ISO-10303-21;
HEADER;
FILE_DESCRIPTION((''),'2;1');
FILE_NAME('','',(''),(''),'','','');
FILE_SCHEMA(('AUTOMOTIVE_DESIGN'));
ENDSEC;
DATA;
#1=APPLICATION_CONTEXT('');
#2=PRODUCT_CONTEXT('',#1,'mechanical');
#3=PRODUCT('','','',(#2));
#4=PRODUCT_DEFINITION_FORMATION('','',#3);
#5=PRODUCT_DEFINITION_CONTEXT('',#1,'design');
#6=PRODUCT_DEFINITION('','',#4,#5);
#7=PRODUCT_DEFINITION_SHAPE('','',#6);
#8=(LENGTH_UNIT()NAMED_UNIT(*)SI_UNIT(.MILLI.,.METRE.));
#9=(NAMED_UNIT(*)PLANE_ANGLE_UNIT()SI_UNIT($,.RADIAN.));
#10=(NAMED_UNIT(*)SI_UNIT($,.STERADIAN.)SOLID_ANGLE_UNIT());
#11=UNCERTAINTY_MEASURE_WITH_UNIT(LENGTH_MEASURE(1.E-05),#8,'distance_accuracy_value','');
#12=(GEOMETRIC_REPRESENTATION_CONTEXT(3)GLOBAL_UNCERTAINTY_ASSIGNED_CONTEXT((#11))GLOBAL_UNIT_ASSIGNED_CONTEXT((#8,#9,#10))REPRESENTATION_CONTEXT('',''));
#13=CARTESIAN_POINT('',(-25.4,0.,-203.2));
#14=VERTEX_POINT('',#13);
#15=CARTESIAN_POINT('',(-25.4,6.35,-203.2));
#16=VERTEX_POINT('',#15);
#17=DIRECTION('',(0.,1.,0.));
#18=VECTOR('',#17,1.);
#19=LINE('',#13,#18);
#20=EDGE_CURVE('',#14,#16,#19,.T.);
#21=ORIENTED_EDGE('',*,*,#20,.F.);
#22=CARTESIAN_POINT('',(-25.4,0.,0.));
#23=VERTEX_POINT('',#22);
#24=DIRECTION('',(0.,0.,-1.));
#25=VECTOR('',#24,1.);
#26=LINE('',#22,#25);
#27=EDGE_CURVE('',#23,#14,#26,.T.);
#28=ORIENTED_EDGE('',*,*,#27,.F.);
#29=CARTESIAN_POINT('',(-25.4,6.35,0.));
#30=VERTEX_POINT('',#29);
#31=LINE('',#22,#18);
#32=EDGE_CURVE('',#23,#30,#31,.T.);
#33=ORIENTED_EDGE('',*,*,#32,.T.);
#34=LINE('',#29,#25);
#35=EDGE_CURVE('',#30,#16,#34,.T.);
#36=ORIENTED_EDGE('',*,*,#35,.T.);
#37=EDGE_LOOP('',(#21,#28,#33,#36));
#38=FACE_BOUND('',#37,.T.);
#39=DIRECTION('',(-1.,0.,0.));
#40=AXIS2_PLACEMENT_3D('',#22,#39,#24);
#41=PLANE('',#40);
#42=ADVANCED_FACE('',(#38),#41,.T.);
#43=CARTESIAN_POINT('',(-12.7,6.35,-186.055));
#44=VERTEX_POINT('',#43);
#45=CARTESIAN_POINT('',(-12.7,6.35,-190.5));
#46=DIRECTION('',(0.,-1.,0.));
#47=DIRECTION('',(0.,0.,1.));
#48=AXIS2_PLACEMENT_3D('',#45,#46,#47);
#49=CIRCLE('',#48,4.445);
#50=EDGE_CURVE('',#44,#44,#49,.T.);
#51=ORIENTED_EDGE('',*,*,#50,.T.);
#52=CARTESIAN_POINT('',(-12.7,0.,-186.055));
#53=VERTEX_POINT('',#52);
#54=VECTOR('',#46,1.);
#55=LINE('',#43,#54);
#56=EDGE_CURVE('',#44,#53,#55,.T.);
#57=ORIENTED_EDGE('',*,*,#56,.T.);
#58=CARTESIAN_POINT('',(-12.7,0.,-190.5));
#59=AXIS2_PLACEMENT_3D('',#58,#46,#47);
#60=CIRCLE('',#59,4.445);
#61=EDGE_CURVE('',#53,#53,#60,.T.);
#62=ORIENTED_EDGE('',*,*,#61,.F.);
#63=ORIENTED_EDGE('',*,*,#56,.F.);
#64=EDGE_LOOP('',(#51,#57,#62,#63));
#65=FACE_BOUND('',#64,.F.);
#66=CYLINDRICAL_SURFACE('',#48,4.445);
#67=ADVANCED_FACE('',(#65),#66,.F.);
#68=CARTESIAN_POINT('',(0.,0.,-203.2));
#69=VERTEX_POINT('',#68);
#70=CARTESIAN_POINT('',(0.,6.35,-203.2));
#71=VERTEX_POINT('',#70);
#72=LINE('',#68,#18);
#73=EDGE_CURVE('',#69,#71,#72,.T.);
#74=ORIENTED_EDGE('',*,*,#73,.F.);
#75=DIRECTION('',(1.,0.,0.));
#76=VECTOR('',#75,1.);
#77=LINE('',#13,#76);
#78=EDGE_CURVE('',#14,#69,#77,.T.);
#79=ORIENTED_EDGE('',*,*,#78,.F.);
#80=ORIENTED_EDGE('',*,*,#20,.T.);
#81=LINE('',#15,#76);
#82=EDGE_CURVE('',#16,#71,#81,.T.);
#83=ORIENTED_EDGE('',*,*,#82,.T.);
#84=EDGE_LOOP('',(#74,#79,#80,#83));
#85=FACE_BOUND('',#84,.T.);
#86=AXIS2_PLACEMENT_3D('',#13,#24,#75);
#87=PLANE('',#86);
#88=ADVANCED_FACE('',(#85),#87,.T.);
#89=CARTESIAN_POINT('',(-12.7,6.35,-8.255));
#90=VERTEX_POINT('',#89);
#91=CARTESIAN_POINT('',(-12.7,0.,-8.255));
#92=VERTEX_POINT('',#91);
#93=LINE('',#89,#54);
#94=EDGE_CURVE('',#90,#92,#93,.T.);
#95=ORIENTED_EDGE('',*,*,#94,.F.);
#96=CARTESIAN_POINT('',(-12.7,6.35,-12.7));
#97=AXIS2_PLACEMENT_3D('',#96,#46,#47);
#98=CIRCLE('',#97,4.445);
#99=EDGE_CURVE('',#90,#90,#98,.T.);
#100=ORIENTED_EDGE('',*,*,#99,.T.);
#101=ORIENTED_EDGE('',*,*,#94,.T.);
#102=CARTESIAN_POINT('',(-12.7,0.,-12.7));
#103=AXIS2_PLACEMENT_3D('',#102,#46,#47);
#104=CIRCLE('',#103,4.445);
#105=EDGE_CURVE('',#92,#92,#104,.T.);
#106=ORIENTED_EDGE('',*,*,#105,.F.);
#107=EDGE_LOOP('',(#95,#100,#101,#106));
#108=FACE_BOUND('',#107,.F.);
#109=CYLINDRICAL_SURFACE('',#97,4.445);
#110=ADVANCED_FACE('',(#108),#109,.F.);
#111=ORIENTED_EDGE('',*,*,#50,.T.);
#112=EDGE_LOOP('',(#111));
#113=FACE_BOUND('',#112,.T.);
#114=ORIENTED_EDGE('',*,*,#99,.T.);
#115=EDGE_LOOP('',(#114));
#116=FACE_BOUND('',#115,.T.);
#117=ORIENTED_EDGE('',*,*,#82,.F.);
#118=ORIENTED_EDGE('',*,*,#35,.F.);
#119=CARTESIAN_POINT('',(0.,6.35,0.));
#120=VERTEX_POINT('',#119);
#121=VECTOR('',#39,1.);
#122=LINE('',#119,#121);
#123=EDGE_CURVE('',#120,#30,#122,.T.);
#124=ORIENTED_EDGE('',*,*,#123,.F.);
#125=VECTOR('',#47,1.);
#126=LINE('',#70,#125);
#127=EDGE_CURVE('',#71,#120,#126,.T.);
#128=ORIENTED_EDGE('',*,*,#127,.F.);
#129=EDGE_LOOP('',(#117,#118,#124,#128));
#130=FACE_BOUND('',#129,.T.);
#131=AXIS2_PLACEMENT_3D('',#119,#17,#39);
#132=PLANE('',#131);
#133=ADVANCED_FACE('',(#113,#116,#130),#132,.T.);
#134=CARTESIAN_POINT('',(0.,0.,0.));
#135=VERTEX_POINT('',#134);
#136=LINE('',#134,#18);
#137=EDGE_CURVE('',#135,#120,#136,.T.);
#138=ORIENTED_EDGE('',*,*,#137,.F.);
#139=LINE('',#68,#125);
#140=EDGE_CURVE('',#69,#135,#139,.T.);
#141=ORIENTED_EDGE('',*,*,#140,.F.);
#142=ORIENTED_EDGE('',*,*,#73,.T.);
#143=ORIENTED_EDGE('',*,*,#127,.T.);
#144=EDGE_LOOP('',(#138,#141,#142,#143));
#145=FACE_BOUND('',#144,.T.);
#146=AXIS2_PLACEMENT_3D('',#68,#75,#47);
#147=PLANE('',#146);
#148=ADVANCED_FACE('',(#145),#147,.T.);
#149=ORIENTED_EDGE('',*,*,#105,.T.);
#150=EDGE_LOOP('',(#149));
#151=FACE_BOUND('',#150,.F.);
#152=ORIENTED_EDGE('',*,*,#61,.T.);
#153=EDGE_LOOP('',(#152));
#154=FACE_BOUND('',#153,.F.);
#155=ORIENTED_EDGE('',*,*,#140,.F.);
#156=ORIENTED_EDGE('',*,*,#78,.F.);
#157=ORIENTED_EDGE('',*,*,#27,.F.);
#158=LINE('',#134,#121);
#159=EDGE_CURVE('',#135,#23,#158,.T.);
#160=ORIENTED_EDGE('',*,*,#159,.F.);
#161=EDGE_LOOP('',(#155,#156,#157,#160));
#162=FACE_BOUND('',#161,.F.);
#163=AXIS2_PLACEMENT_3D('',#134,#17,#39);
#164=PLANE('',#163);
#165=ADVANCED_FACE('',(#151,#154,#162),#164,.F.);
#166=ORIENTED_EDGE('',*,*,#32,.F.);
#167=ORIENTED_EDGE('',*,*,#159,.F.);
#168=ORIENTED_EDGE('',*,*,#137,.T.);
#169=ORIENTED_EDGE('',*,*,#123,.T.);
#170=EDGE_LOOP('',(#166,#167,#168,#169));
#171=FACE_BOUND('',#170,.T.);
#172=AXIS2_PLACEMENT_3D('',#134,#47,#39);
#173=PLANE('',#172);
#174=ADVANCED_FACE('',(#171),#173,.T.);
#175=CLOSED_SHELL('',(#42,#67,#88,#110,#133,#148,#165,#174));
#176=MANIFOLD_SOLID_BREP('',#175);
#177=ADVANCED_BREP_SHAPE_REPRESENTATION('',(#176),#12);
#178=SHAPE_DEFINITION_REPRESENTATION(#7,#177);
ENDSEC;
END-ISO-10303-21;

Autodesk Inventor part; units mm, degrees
ref_plane "YZ Plane" through (0, 0, 0) normal (1, 0, 0) x (0, 1, 0)
ref_plane "XZ Plane" through (0, 0, 0) normal (0, 1, 0) x (-1, 0, 0)
ref_plane "XY Plane" through (0, 0, 0) normal (0, 0, 1) x (1, 0, 0)
sketch "Sketch1" plane through (0, 0, 0) normal (0, 1, 0) x (-1, 0, 0)
  line L0 (0, 0) -> (25.4, 0)
  line L1 (25.4, 0) -> (25.4, -203.2)
  line L2 (25.4, -203.2) -> (0, -203.2)
  line L3 (0, -203.2) -> (0, 0)
  dimension "d0" = 25.4
  dimension "d1" = 203.2
extrude "Extrusion1" add sketch "Sketch1" along normal blind 6.35
sketch "Sketch2" plane through (0, 6.35, 0) normal (0, 1, 0) x (1, 0, 0)
  line L0 (-25.4, 0) -> (0, 0) projected
  line L1 (0, 0) -> (0, 203.2) projected
  line L2 (0, 203.2) -> (-25.4, 203.2) projected
  line L3 (-25.4, 203.2) -> (-25.4, 0) projected
  point P0 (-12.7, 190.5)
  point P1 (-12.7, 12.7)
  dimension "d4" = 203.2
  dimension "d5" = 25.4
  dimension "d6" = 12.7
  dimension "d7" = 12.7
  dimension "d8" = 177.8
  dimension "d9" = 12.7
hole "Hole1" at (-12.7, 6.35, -190.5) at (-12.7, 6.35, -12.7) direction (0, -1, 0) diameter 8.89 end through all
equation "\"d6\" = 0.5 * d5"
equation "\"d7\" = d6"
equation "\"d9\" = -0.5 * d8 + 0.5 * d4"
